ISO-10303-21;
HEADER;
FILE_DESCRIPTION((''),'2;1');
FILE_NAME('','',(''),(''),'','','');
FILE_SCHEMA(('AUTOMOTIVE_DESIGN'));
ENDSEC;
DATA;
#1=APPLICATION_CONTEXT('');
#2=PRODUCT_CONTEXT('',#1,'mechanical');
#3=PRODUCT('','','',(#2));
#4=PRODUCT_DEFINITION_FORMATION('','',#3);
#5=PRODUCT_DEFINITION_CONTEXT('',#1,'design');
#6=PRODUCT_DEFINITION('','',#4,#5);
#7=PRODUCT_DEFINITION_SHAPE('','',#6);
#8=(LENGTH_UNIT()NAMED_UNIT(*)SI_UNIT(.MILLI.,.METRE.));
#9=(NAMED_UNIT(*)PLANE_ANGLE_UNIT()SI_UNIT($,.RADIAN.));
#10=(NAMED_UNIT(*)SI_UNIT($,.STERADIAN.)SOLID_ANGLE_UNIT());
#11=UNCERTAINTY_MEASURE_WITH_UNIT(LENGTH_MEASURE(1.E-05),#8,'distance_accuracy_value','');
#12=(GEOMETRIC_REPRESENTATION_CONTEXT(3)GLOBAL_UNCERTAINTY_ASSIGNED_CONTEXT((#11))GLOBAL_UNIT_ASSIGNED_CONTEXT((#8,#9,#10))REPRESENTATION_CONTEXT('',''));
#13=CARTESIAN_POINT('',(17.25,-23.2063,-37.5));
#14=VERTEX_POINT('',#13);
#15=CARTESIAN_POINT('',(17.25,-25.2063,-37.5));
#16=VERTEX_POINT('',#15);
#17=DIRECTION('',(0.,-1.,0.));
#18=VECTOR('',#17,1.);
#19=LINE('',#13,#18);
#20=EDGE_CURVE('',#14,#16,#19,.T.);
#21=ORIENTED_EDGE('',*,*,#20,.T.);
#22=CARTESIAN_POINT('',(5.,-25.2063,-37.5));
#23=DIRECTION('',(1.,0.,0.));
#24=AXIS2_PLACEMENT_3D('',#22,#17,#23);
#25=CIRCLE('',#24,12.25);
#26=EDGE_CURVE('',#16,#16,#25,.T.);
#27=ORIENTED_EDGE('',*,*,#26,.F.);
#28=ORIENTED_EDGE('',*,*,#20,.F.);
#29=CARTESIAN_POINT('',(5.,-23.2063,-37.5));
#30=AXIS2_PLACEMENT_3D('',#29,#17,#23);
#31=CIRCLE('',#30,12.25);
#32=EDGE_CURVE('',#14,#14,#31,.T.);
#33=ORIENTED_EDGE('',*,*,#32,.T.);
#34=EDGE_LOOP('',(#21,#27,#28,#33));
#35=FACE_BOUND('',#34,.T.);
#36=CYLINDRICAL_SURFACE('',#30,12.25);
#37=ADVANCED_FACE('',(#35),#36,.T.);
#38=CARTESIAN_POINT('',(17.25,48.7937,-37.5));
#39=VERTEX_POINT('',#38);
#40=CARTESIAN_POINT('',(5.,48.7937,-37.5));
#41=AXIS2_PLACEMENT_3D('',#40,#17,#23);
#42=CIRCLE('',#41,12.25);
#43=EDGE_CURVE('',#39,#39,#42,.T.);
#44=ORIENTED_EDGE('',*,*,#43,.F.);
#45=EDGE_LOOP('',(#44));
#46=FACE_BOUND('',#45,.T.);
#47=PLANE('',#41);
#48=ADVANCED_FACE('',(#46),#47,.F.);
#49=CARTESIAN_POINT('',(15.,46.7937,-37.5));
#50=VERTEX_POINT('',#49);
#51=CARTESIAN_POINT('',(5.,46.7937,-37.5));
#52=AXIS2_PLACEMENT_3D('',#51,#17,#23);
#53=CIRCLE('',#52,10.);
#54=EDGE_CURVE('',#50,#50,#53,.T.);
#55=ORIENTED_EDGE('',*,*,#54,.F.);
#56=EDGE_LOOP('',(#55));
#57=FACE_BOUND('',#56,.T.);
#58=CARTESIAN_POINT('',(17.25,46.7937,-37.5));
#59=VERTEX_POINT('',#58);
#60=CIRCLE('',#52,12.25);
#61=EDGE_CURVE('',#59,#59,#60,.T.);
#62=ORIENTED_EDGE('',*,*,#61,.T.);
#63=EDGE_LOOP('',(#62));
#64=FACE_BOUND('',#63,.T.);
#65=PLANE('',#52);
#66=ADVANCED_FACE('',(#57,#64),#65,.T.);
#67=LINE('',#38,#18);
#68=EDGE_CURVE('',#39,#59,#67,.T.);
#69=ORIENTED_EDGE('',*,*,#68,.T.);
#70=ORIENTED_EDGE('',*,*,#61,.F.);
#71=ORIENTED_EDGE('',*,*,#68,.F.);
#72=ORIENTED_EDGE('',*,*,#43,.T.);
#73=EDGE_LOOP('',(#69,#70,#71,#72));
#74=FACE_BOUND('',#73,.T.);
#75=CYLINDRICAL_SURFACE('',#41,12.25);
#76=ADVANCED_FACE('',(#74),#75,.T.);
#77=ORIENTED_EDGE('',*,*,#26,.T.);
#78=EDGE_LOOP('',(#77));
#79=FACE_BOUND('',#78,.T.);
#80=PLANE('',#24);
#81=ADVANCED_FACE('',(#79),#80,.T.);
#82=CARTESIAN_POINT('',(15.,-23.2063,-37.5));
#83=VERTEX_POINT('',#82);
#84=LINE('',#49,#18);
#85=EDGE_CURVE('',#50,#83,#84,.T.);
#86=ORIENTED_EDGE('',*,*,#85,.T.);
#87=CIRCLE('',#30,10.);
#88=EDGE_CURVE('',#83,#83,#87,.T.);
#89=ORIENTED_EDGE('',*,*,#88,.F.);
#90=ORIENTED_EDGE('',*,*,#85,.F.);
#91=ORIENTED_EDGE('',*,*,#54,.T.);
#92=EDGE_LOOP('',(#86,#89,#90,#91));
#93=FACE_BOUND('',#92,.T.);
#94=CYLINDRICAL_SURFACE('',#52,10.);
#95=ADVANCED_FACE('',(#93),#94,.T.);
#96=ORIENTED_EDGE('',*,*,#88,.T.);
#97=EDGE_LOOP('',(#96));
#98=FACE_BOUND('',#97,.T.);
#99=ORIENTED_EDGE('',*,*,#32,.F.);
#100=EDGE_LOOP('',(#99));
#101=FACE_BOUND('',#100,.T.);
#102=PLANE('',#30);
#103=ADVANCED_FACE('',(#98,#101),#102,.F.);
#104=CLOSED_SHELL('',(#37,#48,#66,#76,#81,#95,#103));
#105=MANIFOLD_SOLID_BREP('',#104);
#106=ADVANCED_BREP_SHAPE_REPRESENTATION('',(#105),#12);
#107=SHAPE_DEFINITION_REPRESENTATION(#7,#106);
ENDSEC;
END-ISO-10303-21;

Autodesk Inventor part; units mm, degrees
ref_plane "YZ Plane" through (0, 0, 0) normal (1, 0, 0) x (0, 1, 0)
ref_plane "XZ Plane" through (0, 0, 0) normal (0, 1, 0) x (-1, 0, 0)
ref_plane "XY Plane" through (0, 0, 0) normal (0, 0, 1) x (1, 0, 0)
ref_plane "Work Plane1" through (5, 35, -37.5) normal (0, 0, 1) x (1, 0, 0)
sketch "Sketch1" plane through (5, 35, -37.5) normal (0, 0, 1) x (1, 0, 0)
  line L0 (-10, 11.7937) -> (10, 11.7937) projected
  line L1 (10, 11.7937) -> (10, -58.2063)
  line L2 (10, -58.2063) -> (12.25, -58.2063)
  line L3 (12.25, -58.2063) -> (12.25, -60.2063)
  line L4 (12.25, -60.2063) -> (-12.25, -60.2063)
  line L5 (-12.25, -60.2063) -> (-12.25, -58.2063)
  line L6 (-12.25, -58.2063) -> (-10, -58.2063)
  line L7 (-10, -58.2063) -> (-10, 11.7937)
  line L8 (-10, 11.7937) -> (-12.25, 11.7937)
  line L9 (-12.25, 11.7937) -> (-12.25, 13.7937)
  line L10 (-12.25, 13.7937) -> (12.25, 13.7937)
  line L11 (12.25, 13.7937) -> (12.25, 11.7937)
  line L12 (12.25, 11.7937) -> (10, 11.7937)
  line L13 (0, 29.0063) -> (0, -66.419)
  point P0 (-5, -35)
  point P1 (0, 11.7937)
  point P2 (0, 13.7937)
  point P3 (0, -60.2063)
  dimension "d0" = 2.25
  dimension "d1" = 70
  dimension "d2" = 2
  dimension "d3" = 24.5
  dimension "d4" = 2
  dimension "d5" = 2.25
  dimension "d6" = 70
  dimension "d7" = 2.25
  dimension "d8" = 2
  dimension "d9" = 24.5
  dimension "d10" = 2
revolve "Revolution1" add sketch "Sketch1" angle 360 about axis through (5, 64.0063, -37.5) along (0, -1, 0) contours L13 L10 L11 L12 L0 | L0 L1 L2 L3 L4 L13
properties part number "nitR1"
